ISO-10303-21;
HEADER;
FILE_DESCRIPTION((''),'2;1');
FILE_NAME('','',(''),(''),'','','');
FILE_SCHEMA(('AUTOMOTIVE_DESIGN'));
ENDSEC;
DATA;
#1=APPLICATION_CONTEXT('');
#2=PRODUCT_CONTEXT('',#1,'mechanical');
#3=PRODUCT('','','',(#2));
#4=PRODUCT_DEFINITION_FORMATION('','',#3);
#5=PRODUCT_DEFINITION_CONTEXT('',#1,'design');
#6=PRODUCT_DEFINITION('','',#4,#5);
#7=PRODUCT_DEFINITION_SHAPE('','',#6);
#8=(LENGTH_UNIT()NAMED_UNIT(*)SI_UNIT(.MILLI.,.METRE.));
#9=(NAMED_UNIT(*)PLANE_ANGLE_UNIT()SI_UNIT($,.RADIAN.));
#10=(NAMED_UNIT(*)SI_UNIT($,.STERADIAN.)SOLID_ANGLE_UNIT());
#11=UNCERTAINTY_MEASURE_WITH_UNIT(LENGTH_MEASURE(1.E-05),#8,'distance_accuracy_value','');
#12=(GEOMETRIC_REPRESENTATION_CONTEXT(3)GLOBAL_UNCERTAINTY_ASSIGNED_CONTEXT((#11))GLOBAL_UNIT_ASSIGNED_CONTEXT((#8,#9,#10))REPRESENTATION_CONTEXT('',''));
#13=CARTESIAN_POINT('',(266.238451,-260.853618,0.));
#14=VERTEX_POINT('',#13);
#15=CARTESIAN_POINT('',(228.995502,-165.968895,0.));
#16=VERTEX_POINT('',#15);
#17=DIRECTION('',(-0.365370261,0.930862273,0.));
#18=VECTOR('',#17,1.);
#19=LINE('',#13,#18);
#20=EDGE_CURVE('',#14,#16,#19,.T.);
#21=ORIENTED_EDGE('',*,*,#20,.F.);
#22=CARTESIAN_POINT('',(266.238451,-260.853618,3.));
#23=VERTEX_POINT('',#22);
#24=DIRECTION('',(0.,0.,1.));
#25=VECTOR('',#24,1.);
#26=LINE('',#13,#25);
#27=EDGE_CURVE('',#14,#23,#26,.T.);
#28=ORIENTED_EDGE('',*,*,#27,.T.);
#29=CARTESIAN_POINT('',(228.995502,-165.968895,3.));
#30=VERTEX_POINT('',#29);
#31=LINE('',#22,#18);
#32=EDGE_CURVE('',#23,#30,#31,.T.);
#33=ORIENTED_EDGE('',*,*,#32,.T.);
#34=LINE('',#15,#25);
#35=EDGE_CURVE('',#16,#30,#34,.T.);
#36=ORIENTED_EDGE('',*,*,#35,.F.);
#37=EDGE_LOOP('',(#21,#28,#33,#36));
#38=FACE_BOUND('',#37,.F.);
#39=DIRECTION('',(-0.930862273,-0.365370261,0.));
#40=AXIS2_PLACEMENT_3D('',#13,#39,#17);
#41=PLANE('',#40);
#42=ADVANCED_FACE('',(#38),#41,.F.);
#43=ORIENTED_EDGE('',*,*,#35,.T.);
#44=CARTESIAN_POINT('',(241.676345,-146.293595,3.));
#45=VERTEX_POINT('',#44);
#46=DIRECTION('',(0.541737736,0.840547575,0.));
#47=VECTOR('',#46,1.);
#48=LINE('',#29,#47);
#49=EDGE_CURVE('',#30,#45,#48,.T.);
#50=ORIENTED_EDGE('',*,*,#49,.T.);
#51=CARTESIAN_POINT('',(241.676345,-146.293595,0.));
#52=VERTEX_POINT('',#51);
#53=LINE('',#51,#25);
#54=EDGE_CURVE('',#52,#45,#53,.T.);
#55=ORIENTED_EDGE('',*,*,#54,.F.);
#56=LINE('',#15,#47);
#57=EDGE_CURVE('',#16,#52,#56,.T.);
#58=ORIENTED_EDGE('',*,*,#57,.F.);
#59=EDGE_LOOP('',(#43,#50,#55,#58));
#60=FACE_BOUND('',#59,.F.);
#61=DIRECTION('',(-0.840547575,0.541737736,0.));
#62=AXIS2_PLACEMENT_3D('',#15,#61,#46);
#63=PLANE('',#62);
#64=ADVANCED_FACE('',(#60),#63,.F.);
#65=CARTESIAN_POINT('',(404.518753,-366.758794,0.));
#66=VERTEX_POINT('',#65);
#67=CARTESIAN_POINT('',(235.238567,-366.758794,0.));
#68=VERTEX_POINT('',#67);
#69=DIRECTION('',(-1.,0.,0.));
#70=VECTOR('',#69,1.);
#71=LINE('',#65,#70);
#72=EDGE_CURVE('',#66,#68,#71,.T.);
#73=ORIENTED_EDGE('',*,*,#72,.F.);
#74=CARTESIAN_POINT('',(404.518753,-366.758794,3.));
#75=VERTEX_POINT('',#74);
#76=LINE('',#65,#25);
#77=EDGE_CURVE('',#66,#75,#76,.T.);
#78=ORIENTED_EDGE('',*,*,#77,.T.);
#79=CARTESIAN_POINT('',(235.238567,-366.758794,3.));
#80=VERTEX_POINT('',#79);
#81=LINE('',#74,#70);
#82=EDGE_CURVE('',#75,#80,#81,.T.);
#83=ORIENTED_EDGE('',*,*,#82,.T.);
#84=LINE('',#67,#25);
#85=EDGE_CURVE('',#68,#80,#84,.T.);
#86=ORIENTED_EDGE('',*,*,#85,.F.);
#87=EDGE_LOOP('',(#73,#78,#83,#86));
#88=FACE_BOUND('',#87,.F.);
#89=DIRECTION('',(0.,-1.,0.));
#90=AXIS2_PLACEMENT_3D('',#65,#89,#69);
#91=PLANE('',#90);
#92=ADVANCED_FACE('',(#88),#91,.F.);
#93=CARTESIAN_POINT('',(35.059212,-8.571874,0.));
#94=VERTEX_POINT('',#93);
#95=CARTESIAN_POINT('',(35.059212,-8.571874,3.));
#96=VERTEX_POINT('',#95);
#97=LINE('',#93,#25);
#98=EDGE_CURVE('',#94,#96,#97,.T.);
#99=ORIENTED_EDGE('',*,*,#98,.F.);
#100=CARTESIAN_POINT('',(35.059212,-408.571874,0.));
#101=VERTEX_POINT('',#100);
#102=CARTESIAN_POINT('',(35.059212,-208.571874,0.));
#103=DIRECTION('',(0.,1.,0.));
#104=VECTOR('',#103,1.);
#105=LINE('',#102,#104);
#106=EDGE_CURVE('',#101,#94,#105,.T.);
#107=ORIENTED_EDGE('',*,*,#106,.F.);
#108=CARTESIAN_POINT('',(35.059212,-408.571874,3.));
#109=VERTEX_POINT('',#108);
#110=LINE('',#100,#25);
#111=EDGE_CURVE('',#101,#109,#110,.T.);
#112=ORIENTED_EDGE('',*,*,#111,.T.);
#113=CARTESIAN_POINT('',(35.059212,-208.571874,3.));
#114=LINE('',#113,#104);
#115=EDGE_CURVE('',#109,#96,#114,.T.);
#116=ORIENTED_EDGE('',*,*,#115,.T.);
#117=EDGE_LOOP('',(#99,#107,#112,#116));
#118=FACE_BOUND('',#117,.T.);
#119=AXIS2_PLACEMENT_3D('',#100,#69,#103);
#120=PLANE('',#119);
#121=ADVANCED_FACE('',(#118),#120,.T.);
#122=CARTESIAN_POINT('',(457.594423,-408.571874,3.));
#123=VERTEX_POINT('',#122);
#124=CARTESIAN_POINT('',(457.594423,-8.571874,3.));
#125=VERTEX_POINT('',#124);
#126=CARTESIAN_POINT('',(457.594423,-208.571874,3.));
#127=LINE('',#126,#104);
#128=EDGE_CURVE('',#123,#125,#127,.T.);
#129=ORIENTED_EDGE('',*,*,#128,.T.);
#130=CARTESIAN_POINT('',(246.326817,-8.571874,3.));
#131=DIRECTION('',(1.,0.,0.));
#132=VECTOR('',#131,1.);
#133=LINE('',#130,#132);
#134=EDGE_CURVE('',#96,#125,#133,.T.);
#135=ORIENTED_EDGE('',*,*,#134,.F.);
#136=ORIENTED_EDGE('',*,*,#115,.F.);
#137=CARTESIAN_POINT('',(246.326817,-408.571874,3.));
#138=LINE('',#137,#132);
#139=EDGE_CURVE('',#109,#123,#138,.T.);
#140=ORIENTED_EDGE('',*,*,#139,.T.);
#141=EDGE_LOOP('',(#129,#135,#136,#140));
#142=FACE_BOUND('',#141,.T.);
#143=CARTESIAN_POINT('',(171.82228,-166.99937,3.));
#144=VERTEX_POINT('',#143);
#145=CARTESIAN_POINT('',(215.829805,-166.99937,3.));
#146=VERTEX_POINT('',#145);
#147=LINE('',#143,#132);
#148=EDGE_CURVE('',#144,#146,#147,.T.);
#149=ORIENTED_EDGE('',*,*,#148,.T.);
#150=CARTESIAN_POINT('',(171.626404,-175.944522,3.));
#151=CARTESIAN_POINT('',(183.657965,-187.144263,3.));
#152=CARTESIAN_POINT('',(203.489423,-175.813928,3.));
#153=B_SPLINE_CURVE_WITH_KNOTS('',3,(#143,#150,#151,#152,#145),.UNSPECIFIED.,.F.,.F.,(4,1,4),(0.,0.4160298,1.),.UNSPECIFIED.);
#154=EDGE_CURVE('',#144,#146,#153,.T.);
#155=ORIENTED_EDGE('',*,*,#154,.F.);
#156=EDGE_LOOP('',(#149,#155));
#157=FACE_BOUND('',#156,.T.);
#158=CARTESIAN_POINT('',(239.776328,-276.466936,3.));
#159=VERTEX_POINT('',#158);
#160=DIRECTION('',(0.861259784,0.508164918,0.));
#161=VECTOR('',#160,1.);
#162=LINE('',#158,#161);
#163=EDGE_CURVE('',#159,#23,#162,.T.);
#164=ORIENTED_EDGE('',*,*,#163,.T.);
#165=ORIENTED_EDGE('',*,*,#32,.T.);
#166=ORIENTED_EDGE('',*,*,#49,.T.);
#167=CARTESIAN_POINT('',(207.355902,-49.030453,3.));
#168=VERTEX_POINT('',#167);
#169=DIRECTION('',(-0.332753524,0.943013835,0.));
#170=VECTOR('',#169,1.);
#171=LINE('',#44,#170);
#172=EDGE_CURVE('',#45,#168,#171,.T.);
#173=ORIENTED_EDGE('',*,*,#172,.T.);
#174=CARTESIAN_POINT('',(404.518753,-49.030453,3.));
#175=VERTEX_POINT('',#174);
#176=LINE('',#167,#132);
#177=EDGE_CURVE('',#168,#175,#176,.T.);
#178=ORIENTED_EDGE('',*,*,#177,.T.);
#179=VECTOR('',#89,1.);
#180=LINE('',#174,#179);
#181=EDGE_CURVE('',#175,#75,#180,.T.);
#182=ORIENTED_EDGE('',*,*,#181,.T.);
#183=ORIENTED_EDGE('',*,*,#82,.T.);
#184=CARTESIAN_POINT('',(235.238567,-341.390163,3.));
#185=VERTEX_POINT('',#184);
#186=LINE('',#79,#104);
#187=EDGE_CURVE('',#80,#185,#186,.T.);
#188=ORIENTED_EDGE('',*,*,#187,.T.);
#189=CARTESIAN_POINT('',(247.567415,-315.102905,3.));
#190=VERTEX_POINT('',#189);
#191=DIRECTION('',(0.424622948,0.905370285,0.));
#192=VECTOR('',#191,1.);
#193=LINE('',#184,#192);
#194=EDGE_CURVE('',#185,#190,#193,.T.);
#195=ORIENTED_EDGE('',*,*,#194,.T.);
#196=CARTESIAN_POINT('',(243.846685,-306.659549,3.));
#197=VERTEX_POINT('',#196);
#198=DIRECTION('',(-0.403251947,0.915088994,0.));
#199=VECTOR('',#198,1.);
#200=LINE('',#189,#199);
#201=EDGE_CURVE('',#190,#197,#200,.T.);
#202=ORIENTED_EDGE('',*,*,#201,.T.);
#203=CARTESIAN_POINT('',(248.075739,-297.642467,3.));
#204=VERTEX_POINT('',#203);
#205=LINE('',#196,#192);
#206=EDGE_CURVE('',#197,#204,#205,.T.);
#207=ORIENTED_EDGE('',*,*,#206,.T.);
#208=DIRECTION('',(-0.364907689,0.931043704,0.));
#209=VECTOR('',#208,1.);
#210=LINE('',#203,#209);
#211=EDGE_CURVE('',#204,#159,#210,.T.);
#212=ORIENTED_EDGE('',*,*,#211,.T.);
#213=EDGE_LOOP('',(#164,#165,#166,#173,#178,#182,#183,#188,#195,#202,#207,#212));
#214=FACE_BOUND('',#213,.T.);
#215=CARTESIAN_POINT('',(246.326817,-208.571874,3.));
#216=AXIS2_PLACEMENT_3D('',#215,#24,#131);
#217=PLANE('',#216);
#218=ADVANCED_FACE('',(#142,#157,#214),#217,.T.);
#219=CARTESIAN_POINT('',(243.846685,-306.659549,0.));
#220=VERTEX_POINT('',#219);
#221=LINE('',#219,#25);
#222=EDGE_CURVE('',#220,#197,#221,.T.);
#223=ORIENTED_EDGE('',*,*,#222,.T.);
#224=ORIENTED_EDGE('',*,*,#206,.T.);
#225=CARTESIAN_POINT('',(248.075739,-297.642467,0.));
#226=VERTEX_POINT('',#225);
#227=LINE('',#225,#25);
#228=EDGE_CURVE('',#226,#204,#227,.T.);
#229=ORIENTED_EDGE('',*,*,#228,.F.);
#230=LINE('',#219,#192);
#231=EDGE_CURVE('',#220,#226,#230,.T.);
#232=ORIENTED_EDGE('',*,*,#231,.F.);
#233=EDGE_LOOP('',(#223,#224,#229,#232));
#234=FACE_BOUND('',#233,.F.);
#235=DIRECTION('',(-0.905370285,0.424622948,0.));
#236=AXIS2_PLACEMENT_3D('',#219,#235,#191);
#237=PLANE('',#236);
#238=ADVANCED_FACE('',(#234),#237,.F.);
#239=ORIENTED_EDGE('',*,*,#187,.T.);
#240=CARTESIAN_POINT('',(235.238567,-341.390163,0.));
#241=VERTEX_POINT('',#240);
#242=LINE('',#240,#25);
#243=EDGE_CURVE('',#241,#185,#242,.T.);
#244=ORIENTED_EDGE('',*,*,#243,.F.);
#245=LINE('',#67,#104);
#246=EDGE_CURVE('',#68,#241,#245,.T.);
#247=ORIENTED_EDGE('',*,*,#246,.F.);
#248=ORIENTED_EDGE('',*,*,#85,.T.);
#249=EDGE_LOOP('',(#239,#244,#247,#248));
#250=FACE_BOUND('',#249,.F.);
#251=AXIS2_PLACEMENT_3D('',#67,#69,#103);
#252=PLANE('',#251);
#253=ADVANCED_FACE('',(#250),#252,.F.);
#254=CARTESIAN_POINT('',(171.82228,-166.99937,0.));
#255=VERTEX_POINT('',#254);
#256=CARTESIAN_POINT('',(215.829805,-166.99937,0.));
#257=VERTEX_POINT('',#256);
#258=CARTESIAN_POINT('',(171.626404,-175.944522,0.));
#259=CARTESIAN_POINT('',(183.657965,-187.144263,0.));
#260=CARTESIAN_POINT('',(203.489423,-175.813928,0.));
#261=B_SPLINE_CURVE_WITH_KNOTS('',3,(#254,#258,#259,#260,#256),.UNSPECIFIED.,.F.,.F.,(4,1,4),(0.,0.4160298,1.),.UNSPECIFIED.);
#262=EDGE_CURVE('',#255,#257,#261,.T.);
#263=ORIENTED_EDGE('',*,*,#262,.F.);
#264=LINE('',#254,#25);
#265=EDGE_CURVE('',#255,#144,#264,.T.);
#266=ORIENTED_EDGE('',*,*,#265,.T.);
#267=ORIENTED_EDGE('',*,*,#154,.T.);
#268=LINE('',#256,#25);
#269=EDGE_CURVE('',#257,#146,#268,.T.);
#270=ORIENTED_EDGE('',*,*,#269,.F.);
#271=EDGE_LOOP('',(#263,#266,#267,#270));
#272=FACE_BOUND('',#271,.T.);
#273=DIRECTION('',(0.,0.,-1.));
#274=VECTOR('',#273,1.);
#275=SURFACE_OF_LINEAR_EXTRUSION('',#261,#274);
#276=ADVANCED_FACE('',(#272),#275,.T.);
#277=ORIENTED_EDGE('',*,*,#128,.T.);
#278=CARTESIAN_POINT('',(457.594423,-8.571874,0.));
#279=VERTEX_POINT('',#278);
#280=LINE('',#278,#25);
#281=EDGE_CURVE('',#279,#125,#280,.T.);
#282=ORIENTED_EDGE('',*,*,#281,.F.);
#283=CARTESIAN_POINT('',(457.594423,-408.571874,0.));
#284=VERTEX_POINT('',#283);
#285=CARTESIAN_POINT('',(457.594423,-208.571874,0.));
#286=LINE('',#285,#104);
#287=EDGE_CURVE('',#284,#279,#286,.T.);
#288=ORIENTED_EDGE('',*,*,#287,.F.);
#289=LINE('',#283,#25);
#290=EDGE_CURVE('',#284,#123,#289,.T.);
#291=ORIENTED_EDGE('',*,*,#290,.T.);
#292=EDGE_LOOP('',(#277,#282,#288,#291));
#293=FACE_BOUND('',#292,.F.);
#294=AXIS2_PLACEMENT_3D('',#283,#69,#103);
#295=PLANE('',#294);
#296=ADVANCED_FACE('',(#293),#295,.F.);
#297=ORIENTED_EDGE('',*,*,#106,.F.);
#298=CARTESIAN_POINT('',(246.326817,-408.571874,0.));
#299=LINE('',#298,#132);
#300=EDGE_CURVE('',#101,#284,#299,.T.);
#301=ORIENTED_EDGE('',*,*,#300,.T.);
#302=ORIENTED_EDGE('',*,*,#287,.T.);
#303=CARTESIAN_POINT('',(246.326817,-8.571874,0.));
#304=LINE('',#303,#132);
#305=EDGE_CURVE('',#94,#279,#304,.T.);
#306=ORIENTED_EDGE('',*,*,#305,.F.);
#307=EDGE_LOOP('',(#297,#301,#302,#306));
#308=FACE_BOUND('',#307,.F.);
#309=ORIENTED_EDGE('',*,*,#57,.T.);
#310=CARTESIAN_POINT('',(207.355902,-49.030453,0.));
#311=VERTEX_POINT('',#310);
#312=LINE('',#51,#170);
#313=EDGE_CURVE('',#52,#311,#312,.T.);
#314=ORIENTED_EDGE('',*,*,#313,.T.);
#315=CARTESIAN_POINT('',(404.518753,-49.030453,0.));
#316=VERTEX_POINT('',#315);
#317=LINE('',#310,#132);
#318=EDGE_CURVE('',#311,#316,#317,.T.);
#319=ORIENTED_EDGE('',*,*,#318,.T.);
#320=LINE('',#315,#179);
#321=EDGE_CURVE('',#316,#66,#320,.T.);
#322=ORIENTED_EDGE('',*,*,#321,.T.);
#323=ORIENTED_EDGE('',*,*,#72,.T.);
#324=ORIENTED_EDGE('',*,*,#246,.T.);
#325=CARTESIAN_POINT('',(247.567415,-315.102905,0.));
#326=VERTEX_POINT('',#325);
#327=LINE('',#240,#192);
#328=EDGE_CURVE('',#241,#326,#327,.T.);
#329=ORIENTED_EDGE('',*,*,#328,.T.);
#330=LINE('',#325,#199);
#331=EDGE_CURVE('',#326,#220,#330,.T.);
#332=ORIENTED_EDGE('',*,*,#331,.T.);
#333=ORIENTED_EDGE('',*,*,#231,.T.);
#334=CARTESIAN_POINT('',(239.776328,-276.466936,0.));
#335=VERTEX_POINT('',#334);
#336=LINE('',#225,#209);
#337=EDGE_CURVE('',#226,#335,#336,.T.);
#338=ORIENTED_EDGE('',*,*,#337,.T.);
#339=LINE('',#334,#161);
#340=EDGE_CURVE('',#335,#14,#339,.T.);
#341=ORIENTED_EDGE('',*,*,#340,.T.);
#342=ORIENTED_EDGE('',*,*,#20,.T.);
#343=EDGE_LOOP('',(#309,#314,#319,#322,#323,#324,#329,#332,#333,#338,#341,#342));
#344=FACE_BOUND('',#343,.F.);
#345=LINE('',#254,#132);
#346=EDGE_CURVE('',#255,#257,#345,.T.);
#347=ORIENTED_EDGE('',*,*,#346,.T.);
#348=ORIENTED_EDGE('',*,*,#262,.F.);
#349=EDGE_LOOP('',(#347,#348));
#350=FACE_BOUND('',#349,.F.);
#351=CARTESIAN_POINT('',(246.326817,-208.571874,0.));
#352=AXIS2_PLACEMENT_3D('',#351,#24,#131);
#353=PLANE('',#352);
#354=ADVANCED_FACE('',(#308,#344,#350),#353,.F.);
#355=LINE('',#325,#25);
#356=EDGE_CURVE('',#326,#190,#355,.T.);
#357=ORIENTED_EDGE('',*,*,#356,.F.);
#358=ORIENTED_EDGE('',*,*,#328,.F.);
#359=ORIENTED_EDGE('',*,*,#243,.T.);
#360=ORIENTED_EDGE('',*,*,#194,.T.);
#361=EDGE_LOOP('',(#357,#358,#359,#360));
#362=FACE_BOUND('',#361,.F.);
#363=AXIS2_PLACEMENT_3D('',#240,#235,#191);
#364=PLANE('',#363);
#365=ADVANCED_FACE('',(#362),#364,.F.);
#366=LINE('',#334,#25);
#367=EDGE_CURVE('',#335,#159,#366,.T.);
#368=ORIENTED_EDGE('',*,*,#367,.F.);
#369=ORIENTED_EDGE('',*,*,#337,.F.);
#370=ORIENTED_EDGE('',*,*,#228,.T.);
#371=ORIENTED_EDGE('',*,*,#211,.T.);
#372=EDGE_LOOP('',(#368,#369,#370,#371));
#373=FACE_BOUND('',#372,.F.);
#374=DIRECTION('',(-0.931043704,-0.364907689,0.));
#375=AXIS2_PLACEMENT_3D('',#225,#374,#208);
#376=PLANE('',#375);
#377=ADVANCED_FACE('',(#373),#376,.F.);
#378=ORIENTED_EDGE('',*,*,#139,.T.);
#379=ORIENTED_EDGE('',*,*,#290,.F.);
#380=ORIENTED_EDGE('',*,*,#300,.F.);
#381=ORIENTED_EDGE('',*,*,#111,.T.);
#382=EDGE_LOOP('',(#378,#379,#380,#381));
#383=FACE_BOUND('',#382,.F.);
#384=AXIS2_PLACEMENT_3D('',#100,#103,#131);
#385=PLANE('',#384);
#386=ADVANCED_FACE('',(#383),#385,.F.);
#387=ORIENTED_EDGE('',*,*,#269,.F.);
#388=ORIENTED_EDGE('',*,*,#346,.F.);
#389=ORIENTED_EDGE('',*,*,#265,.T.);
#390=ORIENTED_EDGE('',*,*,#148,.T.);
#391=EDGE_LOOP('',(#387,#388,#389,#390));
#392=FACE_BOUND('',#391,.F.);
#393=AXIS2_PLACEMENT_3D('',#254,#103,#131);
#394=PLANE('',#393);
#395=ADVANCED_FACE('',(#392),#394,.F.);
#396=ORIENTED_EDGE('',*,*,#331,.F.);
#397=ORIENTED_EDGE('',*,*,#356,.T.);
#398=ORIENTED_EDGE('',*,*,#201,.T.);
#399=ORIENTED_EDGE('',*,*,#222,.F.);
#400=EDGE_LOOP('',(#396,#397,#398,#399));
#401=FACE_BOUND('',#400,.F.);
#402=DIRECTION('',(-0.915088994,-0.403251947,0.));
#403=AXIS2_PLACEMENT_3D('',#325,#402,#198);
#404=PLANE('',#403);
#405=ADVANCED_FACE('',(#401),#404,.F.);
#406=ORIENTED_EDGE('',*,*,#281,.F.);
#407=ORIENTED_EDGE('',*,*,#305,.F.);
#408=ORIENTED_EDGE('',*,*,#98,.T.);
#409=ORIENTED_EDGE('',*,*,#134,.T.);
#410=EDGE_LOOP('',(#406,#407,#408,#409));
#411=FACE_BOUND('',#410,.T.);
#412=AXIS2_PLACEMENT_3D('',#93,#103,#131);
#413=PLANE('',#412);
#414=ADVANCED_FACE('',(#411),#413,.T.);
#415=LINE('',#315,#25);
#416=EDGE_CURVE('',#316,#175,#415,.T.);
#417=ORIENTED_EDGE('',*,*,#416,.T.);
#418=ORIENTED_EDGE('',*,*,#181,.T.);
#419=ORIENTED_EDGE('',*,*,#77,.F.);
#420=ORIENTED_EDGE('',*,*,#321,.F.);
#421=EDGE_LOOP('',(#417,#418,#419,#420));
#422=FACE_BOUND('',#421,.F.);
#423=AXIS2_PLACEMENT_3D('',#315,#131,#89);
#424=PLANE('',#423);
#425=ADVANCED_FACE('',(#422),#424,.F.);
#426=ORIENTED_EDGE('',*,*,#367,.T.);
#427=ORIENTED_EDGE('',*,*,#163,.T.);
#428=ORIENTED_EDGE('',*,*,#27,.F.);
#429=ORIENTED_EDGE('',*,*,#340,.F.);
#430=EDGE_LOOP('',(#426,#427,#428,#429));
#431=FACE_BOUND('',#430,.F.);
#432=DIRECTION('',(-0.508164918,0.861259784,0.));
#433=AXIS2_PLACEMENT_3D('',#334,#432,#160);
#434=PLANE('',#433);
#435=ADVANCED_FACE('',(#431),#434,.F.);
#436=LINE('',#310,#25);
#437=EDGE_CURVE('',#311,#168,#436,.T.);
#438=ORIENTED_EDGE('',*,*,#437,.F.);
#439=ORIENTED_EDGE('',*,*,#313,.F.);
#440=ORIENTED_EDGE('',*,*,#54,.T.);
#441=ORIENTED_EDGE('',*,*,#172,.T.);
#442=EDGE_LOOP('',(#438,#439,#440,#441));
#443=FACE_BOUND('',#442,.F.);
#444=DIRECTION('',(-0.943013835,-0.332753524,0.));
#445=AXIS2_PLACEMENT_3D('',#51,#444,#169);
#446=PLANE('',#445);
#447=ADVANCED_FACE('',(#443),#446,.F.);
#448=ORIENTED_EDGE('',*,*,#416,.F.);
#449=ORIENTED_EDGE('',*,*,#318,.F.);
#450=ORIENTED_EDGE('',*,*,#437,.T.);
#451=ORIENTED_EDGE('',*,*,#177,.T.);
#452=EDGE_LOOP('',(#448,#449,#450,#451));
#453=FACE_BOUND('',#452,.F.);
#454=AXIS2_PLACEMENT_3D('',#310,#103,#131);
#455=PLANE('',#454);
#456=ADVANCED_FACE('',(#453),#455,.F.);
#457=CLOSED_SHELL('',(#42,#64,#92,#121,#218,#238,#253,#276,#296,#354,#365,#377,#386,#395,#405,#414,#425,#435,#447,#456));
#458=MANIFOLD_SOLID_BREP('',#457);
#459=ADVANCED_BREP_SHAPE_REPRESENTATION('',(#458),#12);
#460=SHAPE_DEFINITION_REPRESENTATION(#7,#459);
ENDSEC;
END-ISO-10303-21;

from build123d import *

# Parameters (mm, degrees)
F0_W     = 422.5352112676
F0_H     = 400
F1_DEPTH = 3


with BuildPart() as f1:
    # F0 (on Top) → F1 (new body)
    with BuildSketch(Plane.XY):
        with Locations((246.3268171985, -208.5718737553)):
            Rectangle(F0_W, F0_H)
        with BuildLine():
            Line((171.8222796917, -166.9993698597), (215.8298045397, -166.9993698597))
            add(Edge.make_bspline(
                [(171.8222796917, -166.9993698597), (171.6264039278, -175.9445220232), (183.657964608, -187.1442634513), (203.4894227982, -175.8139282465), (215.8298045397, -166.9993698597)],
                knots=[0, 0, 0, 0, 0.4160297999, 1, 1, 1, 1], degree=3))
        make_face(mode=Mode.SUBTRACT)
        Polygon((404.5187532902, -49.0304529667), (404.5187532902, -366.7587935925), (235.2385669947, -366.7587935925), (235.2385669947, -341.3901627064), (247.5674152374, -315.102905035), (243.8466846943, -306.6595494747), (248.0757389971, -297.6424671021), (239.7763282061, -276.466935873), (266.238451004, -260.8536183834), (228.9955019951, -165.9688949585), (241.6763454676, -146.2935954332), (207.3559015989, -49.0304529667), align=None, mode=Mode.SUBTRACT)
    extrude(amount=F1_DEPTH)


solid = f1.part
